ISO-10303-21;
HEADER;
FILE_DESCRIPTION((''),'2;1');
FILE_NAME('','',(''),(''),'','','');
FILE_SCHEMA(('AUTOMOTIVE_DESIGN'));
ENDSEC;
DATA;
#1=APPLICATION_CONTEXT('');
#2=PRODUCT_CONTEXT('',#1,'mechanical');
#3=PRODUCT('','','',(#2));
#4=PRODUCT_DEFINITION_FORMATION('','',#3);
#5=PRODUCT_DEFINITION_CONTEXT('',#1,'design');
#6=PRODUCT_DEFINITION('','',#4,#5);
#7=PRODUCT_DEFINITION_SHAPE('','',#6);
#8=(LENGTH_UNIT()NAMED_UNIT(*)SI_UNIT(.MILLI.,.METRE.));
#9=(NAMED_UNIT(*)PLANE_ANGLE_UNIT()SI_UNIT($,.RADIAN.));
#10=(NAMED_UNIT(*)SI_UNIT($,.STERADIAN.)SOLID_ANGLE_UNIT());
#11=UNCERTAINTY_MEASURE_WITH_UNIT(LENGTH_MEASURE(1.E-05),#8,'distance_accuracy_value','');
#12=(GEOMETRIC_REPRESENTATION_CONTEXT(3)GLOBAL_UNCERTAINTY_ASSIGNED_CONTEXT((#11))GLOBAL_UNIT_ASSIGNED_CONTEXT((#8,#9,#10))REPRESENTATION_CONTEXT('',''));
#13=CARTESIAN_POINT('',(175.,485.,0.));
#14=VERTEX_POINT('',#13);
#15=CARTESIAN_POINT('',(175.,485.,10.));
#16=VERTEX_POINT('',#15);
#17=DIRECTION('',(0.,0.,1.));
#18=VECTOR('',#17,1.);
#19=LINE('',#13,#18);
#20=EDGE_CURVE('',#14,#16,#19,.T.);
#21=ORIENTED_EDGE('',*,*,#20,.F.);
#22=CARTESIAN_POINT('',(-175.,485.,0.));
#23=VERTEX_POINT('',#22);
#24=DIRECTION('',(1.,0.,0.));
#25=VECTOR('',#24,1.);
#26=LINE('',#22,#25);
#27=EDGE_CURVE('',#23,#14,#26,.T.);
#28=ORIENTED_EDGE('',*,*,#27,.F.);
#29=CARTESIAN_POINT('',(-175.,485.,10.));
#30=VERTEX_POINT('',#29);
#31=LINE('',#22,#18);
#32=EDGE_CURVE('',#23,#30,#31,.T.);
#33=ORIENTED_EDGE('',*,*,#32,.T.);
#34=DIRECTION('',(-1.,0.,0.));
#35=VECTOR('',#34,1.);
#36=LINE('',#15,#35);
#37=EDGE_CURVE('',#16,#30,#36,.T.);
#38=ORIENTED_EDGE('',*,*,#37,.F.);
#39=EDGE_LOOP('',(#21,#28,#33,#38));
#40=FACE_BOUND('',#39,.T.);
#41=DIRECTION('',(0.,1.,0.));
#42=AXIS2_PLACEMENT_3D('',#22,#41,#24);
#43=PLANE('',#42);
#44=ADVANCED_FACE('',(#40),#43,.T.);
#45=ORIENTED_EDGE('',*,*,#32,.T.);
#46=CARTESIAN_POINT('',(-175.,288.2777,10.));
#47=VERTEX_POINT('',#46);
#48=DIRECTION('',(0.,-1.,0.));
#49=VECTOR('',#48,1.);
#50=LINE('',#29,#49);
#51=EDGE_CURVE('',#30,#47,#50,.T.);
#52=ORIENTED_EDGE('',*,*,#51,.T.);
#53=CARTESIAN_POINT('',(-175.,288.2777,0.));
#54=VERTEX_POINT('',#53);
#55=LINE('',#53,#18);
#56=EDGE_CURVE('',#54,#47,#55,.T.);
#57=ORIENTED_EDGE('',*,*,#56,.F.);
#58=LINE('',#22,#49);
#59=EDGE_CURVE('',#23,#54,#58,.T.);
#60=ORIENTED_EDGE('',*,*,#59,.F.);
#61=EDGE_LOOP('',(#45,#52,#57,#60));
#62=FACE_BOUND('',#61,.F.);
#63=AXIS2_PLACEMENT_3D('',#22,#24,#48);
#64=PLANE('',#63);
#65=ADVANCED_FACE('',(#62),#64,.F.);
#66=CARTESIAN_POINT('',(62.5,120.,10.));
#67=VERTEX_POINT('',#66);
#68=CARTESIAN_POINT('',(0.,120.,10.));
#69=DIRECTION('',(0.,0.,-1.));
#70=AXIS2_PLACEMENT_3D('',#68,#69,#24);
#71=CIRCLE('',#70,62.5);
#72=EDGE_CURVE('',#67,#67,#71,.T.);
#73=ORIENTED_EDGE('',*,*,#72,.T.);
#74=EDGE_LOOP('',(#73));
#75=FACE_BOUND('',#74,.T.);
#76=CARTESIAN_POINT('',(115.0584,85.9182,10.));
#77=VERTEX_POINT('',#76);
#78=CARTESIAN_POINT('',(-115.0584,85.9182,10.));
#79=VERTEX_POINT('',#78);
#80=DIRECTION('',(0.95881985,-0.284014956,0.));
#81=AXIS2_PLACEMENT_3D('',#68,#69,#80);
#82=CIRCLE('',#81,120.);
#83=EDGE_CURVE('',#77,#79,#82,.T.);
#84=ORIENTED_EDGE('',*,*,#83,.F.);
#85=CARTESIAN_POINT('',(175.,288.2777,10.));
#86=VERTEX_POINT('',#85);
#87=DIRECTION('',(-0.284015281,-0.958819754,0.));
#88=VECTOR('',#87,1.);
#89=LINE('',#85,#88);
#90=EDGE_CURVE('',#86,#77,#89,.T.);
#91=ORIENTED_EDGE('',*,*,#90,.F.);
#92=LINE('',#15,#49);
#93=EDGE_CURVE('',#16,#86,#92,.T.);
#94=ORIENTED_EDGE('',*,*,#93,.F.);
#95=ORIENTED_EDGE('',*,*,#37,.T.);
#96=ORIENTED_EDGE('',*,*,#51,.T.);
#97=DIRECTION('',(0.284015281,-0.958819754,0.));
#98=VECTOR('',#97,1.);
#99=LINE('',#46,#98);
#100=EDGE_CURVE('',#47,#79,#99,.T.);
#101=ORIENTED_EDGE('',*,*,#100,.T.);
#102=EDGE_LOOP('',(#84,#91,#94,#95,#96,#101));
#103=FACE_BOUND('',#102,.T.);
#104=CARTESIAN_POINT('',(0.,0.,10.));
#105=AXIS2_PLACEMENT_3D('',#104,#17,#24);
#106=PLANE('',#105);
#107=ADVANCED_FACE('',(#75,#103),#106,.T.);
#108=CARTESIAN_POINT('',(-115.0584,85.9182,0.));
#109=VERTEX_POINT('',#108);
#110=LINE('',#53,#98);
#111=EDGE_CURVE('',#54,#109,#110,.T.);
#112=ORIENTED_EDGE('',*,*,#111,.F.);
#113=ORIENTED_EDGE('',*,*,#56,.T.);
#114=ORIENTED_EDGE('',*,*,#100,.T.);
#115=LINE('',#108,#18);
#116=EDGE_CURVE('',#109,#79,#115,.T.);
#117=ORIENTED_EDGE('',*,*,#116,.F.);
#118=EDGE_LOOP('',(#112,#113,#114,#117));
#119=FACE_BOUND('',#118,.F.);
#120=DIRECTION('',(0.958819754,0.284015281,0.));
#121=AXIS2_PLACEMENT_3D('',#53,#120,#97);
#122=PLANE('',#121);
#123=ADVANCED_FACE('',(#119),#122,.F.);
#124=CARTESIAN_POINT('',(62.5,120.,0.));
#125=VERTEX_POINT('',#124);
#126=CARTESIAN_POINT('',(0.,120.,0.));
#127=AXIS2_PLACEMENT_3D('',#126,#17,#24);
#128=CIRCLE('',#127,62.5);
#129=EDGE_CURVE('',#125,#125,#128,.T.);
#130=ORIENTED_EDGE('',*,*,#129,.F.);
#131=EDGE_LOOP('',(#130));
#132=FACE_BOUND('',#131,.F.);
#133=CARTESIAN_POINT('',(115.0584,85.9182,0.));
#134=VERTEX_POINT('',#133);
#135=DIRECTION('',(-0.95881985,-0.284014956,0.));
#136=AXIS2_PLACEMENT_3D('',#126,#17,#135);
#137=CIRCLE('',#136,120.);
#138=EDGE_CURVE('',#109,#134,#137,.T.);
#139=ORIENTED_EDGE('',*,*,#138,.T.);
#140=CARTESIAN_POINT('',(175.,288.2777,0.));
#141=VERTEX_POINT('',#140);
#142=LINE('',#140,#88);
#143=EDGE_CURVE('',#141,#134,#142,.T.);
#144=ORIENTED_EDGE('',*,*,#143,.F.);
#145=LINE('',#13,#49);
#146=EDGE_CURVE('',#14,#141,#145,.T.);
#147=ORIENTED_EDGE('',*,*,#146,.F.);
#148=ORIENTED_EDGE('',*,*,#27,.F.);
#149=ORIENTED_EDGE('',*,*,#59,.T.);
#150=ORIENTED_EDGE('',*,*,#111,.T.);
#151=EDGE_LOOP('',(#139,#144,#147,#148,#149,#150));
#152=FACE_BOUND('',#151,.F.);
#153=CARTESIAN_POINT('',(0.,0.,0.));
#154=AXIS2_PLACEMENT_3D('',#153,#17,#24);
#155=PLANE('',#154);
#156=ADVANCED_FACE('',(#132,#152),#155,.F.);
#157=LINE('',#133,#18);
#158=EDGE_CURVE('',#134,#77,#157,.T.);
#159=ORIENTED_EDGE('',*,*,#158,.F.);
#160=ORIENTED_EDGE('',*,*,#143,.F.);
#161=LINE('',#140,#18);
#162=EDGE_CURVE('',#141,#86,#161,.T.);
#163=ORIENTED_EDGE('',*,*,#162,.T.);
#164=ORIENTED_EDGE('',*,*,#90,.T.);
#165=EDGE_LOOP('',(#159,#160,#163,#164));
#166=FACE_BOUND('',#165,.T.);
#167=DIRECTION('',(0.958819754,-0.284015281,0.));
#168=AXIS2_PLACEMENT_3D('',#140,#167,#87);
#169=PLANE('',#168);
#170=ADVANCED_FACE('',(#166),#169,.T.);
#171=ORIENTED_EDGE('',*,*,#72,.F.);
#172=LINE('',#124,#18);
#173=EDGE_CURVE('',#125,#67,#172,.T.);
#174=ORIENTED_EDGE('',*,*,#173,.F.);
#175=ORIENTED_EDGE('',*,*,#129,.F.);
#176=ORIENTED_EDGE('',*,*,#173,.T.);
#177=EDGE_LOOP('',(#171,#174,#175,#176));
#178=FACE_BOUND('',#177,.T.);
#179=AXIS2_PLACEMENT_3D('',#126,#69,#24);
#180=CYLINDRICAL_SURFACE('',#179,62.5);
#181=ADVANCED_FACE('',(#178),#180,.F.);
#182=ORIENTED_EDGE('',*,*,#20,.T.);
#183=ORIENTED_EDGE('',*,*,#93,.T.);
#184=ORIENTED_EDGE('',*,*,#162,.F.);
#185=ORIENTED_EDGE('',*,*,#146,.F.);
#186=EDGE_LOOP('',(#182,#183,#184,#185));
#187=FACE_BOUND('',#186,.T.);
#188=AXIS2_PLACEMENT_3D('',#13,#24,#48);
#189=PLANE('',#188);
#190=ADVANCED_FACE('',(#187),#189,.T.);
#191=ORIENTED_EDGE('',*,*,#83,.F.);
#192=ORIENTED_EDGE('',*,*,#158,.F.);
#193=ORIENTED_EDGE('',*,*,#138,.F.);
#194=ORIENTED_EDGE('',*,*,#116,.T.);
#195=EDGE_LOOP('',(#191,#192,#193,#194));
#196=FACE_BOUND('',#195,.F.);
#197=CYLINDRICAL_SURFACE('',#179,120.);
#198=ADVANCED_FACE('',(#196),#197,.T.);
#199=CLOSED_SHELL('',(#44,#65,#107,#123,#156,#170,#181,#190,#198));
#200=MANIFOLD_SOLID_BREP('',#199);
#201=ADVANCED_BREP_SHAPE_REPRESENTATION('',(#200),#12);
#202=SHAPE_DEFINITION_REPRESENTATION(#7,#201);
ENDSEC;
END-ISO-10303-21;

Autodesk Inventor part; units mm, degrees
ref_plane "YZ Plane" through (0, 0, 0) normal (1, 0, 0) x (0, 1, 0)
ref_plane "XZ Plane" through (0, 0, 0) normal (0, 1, 0) x (-1, 0, 0)
ref_plane "XY Plane" through (0, 0, 0) normal (0, 0, 1) x (1, 0, 0)
sketch "Sketch1" plane through (0, 0, 0) normal (0, 0, 1) x (1, 0, 0)
  line L0 (0, 0) -> (0, 485)
  line L1 (-175, 485) -> (175, 485)
  circle A0 centre (0, 120) radius 62.5
  circle A1 centre (0, 120) radius 120
  line L2 (-175, 485) -> (-175, 288.2777)
  line L3 (-175, 288.2777) -> (-115.0584, 85.9182)
  line L4 (175, 485) -> (175, 288.2777)
  line L5 (175, 288.2777) -> (115.0584, 85.9182)
  dimension "d0" = 485
  dimension "d1" = 350
  dimension "d2" = 125
  dimension "d4" = 196.7223
  dimension "d16" = 33
  dimension "d17" = 240
extrude "Plate1" add sketch "Sketch1" along normal blind 10 contours A1 L0 A0 | L0 A0 A1 | L3 L2 L1 L0 A1 | A1 L0 L1 L4 L5
sketch "Sketch2" plane through (-175, 476.3397, 5) normal (0, 0.866, -0.5) x (-1, 0, 0)
  line L0 (-350, 0) -> (0, 0)
  line L1 (0, 0) -> (0, 40)
  line L2 (0, 40) -> (-350, 40)
  line L3 (-350, 40) -> (-350, 0)
equation "\"d2\" = back_steel_circle_проходной_диаметр"
equation "\"d5\" = Thickness"
equation "\"BendReliefDepth\" = 0.5 * Thickness"
equation "\"back_steel_circle_проходной_диаметр\" = 125"
equation "\"Thickness\" = 10"
properties part number "NVPH-301 back side"
